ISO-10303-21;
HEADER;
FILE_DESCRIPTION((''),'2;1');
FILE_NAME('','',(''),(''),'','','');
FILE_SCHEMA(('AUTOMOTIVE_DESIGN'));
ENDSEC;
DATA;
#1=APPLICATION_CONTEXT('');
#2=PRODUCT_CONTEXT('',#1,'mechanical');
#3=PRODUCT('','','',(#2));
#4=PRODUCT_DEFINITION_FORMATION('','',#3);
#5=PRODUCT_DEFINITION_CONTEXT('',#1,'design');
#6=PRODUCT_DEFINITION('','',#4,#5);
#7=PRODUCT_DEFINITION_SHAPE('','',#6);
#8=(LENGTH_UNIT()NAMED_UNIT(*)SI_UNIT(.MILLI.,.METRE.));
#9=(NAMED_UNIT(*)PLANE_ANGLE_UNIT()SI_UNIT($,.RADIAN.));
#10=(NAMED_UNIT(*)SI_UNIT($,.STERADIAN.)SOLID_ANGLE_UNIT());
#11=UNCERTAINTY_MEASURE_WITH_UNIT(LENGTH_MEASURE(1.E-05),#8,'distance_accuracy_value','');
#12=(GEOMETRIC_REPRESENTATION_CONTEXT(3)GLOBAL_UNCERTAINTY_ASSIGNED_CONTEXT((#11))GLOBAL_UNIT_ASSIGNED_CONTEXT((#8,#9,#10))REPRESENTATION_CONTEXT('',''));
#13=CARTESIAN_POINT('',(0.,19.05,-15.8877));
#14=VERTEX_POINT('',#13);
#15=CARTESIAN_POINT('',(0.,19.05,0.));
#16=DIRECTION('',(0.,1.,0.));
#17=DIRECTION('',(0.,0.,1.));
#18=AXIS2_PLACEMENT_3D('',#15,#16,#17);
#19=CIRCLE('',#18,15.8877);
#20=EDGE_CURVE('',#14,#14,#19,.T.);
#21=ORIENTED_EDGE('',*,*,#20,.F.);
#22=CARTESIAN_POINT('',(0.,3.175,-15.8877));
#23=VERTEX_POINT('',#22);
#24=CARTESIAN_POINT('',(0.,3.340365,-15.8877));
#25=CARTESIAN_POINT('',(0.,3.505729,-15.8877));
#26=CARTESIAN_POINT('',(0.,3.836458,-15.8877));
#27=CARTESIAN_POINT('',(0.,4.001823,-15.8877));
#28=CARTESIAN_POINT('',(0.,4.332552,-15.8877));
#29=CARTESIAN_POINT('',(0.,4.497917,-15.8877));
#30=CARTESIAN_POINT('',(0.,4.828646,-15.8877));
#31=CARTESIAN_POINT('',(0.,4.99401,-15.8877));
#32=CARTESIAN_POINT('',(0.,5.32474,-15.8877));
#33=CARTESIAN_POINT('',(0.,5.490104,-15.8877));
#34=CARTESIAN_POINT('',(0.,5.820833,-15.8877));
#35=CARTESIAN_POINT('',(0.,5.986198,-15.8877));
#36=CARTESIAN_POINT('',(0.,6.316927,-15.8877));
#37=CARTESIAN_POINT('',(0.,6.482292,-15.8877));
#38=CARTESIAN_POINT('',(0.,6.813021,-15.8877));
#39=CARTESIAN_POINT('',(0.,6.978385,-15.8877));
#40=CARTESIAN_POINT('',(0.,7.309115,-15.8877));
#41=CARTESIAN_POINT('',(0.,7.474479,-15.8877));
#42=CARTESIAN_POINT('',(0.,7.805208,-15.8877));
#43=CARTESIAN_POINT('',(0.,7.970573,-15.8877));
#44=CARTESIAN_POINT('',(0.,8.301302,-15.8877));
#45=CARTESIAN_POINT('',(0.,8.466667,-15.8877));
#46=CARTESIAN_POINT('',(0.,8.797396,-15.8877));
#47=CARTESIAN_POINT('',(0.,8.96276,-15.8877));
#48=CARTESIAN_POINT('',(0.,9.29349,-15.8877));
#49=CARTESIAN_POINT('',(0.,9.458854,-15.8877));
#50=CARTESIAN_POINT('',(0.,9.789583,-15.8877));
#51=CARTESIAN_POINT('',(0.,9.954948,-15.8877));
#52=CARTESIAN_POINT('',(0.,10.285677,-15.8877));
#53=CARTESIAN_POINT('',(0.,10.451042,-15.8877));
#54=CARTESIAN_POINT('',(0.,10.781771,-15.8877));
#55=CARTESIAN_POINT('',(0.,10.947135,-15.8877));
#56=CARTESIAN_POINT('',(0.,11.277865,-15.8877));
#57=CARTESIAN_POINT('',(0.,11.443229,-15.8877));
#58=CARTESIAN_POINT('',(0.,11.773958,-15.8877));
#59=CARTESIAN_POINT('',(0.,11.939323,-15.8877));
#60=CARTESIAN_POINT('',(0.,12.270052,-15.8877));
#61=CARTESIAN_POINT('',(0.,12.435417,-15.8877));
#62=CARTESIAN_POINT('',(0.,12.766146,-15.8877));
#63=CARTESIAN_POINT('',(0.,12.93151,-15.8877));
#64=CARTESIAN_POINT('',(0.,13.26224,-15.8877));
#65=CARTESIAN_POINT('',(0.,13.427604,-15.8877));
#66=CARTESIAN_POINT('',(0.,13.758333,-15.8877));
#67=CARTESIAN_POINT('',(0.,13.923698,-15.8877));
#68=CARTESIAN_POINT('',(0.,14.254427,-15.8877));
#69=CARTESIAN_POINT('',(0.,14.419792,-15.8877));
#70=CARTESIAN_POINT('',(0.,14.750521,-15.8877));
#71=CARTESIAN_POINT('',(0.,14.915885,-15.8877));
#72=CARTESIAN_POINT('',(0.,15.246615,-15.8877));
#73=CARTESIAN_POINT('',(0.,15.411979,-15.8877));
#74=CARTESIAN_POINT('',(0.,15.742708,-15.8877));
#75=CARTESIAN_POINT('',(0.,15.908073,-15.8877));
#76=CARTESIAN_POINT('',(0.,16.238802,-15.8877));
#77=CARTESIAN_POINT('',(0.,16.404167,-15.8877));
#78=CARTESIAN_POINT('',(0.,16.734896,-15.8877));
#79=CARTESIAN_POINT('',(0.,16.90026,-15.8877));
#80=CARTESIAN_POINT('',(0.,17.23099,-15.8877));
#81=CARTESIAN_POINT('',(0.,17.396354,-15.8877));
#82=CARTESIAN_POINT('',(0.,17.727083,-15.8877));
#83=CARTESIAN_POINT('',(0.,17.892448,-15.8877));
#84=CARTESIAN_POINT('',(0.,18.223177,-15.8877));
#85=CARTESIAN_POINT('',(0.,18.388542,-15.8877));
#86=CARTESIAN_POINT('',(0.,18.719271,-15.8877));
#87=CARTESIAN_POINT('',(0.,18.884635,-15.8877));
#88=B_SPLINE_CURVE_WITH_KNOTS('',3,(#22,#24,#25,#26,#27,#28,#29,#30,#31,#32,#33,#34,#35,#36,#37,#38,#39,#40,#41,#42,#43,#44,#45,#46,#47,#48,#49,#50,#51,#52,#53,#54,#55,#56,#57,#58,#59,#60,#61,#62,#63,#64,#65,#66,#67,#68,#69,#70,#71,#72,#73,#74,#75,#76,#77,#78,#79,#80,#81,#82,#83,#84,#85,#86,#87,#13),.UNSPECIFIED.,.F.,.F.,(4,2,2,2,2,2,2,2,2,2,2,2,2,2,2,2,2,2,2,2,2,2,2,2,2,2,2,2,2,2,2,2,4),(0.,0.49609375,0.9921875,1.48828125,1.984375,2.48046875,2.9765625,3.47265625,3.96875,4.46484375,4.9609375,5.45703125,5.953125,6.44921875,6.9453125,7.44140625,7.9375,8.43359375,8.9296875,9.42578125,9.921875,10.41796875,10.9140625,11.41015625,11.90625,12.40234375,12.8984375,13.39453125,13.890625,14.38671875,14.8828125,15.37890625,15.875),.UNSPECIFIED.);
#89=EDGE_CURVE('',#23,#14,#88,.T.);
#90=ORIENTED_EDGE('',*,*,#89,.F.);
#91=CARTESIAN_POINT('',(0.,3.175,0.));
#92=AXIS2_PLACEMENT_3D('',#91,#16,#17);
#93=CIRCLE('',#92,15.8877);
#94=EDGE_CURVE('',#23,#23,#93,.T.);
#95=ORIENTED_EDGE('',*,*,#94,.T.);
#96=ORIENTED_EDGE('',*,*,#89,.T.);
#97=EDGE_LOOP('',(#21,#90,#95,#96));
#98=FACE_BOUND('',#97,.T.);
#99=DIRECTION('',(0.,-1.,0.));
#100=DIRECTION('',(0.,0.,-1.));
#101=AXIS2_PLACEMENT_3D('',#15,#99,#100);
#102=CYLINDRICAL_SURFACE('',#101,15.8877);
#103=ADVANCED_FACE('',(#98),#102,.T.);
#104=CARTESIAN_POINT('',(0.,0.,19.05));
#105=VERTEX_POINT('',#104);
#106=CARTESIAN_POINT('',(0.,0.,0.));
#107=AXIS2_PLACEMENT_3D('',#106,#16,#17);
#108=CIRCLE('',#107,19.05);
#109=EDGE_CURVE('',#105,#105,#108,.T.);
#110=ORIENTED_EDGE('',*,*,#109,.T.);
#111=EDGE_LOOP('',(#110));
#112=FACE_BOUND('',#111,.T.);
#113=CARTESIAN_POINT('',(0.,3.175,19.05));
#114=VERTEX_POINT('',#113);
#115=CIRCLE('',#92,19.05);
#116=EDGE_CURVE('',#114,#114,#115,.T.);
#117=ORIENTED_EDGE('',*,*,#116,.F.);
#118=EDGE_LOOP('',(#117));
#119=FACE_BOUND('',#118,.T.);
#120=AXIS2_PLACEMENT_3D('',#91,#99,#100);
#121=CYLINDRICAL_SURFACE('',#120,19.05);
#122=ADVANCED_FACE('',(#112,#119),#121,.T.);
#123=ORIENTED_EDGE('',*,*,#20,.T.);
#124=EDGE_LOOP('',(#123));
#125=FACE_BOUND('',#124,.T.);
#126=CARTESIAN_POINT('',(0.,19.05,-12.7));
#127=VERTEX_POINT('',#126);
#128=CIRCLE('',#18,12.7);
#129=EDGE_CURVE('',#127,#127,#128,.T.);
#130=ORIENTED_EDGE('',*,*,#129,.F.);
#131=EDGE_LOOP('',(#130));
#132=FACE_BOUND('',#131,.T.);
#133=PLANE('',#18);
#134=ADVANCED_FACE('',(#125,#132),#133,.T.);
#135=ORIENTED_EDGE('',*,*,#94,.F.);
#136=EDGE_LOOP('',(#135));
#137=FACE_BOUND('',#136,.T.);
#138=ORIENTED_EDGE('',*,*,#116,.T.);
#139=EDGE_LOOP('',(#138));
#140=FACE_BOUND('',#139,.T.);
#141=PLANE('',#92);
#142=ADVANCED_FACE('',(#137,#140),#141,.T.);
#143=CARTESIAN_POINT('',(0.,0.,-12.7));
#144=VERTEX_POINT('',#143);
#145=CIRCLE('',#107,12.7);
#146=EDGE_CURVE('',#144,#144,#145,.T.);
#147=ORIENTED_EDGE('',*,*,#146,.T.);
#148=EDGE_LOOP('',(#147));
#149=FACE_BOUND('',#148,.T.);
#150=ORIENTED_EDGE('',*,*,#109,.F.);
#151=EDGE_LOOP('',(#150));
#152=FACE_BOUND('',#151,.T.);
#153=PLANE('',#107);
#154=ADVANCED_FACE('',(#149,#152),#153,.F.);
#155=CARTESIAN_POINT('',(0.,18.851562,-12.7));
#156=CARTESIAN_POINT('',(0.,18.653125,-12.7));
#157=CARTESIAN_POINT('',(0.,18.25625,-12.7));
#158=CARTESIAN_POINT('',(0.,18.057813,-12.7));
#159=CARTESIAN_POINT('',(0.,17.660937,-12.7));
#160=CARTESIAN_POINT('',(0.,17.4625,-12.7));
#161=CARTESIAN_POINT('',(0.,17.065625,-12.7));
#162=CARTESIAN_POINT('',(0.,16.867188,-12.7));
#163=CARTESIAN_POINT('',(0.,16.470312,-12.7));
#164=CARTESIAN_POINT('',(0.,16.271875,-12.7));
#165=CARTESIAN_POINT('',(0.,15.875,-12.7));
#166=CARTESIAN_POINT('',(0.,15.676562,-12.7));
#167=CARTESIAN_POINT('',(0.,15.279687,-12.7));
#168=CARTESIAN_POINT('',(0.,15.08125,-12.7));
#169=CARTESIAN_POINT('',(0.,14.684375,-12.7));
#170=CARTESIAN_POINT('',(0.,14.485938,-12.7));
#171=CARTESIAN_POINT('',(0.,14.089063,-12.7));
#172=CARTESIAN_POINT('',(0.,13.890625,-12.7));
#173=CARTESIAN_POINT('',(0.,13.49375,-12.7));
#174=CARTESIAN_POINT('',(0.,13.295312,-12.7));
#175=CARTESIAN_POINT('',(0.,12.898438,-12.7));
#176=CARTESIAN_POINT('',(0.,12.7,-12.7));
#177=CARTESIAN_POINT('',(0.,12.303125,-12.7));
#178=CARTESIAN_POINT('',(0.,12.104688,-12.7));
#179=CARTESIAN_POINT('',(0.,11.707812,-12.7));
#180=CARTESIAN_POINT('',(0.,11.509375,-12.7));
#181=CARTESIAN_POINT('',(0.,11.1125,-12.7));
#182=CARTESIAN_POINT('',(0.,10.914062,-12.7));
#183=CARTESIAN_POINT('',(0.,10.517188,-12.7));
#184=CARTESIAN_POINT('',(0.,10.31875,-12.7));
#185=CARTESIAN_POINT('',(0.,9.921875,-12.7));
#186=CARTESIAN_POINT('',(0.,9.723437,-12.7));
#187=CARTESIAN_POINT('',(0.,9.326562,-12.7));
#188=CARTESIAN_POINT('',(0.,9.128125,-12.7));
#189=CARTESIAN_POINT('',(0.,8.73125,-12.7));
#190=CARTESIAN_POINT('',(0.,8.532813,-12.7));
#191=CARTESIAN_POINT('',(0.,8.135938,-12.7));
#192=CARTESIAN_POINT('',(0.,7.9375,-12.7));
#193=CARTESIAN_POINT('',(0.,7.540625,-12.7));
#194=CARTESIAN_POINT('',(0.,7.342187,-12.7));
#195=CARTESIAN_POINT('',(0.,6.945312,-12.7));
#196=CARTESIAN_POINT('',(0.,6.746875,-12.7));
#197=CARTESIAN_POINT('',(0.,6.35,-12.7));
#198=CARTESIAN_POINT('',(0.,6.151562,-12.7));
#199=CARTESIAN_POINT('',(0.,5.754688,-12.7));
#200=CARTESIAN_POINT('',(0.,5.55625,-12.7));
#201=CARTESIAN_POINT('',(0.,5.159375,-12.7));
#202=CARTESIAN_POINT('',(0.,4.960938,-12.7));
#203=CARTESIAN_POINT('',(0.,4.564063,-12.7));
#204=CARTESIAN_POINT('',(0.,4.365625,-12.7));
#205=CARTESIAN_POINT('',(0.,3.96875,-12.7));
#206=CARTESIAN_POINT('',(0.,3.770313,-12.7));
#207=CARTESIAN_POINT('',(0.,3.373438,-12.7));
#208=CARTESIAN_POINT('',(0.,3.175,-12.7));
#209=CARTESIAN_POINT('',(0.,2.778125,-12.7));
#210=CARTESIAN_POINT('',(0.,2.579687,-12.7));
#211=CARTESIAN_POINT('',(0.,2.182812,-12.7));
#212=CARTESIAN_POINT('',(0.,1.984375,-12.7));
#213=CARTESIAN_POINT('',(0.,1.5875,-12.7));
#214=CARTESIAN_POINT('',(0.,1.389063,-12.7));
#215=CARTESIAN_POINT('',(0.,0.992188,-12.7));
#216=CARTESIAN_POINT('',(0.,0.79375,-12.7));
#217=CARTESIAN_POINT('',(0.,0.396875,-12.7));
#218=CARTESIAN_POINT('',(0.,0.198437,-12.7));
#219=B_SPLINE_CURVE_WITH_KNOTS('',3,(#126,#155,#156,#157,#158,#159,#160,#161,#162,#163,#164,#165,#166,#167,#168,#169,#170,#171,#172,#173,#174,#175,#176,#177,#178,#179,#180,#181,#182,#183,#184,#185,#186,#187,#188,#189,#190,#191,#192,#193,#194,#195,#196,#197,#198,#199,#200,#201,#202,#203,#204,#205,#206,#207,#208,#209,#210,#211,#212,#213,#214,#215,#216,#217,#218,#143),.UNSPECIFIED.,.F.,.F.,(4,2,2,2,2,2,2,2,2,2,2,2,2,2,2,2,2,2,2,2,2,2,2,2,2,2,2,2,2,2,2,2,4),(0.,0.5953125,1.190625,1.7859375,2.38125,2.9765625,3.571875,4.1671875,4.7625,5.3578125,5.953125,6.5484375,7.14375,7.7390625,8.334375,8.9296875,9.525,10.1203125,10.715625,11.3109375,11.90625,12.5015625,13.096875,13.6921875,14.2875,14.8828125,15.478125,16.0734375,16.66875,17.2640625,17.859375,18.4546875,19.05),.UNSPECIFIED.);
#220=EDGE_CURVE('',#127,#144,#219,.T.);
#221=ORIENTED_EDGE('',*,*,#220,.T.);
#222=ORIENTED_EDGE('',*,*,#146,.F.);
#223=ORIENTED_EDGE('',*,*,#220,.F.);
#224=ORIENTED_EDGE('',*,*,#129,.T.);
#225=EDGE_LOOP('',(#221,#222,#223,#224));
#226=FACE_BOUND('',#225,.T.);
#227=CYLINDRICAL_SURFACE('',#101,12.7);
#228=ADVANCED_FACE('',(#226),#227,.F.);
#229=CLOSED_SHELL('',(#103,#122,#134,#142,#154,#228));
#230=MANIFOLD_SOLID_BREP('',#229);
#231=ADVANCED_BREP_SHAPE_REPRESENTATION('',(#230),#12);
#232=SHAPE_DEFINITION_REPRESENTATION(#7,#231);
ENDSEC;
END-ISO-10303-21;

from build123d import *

# Parameters (mm, degrees)
SKETCH2_R           = 15.8877
SKETCH2_R_2         = 12.7
BOSS_EXTRUDE1_DEPTH = 19.05
SKETCH3_R           = 19.05
SKETCH3_R_2         = 15.8877
BOSS_EXTRUDE2_DEPTH = 3.175


with BuildPart() as part:
    # Sketch2 → Boss-Extrude1 (new body)
    with BuildSketch(Plane(origin=(0, 0, 0), x_dir=(1, 0, 0), z_dir=(0, 1, 0))):
        with Locations(Location((0, 0, 0), (0, 0, 90))):
            Circle(SKETCH2_R)
        with Locations(Location((0, 0, 0), (0, 0, 90))):
            Circle(SKETCH2_R_2, mode=Mode.SUBTRACT)
    extrude(amount=BOSS_EXTRUDE1_DEPTH)

    # Sketch3 → Boss-Extrude2 (add)
    with BuildSketch(Plane(origin=(0, 0, 0), x_dir=(1, 0, 0), z_dir=(0, 1, 0))):
        with Locations(Location((0, 0, 0), (0, 0, 270))):
            Circle(SKETCH3_R)
        with Locations(Location((0, 0, 0), (0, 0, 90))):
            Circle(SKETCH3_R_2, mode=Mode.SUBTRACT)
    extrude(amount=BOSS_EXTRUDE2_DEPTH)


solid = part.part
